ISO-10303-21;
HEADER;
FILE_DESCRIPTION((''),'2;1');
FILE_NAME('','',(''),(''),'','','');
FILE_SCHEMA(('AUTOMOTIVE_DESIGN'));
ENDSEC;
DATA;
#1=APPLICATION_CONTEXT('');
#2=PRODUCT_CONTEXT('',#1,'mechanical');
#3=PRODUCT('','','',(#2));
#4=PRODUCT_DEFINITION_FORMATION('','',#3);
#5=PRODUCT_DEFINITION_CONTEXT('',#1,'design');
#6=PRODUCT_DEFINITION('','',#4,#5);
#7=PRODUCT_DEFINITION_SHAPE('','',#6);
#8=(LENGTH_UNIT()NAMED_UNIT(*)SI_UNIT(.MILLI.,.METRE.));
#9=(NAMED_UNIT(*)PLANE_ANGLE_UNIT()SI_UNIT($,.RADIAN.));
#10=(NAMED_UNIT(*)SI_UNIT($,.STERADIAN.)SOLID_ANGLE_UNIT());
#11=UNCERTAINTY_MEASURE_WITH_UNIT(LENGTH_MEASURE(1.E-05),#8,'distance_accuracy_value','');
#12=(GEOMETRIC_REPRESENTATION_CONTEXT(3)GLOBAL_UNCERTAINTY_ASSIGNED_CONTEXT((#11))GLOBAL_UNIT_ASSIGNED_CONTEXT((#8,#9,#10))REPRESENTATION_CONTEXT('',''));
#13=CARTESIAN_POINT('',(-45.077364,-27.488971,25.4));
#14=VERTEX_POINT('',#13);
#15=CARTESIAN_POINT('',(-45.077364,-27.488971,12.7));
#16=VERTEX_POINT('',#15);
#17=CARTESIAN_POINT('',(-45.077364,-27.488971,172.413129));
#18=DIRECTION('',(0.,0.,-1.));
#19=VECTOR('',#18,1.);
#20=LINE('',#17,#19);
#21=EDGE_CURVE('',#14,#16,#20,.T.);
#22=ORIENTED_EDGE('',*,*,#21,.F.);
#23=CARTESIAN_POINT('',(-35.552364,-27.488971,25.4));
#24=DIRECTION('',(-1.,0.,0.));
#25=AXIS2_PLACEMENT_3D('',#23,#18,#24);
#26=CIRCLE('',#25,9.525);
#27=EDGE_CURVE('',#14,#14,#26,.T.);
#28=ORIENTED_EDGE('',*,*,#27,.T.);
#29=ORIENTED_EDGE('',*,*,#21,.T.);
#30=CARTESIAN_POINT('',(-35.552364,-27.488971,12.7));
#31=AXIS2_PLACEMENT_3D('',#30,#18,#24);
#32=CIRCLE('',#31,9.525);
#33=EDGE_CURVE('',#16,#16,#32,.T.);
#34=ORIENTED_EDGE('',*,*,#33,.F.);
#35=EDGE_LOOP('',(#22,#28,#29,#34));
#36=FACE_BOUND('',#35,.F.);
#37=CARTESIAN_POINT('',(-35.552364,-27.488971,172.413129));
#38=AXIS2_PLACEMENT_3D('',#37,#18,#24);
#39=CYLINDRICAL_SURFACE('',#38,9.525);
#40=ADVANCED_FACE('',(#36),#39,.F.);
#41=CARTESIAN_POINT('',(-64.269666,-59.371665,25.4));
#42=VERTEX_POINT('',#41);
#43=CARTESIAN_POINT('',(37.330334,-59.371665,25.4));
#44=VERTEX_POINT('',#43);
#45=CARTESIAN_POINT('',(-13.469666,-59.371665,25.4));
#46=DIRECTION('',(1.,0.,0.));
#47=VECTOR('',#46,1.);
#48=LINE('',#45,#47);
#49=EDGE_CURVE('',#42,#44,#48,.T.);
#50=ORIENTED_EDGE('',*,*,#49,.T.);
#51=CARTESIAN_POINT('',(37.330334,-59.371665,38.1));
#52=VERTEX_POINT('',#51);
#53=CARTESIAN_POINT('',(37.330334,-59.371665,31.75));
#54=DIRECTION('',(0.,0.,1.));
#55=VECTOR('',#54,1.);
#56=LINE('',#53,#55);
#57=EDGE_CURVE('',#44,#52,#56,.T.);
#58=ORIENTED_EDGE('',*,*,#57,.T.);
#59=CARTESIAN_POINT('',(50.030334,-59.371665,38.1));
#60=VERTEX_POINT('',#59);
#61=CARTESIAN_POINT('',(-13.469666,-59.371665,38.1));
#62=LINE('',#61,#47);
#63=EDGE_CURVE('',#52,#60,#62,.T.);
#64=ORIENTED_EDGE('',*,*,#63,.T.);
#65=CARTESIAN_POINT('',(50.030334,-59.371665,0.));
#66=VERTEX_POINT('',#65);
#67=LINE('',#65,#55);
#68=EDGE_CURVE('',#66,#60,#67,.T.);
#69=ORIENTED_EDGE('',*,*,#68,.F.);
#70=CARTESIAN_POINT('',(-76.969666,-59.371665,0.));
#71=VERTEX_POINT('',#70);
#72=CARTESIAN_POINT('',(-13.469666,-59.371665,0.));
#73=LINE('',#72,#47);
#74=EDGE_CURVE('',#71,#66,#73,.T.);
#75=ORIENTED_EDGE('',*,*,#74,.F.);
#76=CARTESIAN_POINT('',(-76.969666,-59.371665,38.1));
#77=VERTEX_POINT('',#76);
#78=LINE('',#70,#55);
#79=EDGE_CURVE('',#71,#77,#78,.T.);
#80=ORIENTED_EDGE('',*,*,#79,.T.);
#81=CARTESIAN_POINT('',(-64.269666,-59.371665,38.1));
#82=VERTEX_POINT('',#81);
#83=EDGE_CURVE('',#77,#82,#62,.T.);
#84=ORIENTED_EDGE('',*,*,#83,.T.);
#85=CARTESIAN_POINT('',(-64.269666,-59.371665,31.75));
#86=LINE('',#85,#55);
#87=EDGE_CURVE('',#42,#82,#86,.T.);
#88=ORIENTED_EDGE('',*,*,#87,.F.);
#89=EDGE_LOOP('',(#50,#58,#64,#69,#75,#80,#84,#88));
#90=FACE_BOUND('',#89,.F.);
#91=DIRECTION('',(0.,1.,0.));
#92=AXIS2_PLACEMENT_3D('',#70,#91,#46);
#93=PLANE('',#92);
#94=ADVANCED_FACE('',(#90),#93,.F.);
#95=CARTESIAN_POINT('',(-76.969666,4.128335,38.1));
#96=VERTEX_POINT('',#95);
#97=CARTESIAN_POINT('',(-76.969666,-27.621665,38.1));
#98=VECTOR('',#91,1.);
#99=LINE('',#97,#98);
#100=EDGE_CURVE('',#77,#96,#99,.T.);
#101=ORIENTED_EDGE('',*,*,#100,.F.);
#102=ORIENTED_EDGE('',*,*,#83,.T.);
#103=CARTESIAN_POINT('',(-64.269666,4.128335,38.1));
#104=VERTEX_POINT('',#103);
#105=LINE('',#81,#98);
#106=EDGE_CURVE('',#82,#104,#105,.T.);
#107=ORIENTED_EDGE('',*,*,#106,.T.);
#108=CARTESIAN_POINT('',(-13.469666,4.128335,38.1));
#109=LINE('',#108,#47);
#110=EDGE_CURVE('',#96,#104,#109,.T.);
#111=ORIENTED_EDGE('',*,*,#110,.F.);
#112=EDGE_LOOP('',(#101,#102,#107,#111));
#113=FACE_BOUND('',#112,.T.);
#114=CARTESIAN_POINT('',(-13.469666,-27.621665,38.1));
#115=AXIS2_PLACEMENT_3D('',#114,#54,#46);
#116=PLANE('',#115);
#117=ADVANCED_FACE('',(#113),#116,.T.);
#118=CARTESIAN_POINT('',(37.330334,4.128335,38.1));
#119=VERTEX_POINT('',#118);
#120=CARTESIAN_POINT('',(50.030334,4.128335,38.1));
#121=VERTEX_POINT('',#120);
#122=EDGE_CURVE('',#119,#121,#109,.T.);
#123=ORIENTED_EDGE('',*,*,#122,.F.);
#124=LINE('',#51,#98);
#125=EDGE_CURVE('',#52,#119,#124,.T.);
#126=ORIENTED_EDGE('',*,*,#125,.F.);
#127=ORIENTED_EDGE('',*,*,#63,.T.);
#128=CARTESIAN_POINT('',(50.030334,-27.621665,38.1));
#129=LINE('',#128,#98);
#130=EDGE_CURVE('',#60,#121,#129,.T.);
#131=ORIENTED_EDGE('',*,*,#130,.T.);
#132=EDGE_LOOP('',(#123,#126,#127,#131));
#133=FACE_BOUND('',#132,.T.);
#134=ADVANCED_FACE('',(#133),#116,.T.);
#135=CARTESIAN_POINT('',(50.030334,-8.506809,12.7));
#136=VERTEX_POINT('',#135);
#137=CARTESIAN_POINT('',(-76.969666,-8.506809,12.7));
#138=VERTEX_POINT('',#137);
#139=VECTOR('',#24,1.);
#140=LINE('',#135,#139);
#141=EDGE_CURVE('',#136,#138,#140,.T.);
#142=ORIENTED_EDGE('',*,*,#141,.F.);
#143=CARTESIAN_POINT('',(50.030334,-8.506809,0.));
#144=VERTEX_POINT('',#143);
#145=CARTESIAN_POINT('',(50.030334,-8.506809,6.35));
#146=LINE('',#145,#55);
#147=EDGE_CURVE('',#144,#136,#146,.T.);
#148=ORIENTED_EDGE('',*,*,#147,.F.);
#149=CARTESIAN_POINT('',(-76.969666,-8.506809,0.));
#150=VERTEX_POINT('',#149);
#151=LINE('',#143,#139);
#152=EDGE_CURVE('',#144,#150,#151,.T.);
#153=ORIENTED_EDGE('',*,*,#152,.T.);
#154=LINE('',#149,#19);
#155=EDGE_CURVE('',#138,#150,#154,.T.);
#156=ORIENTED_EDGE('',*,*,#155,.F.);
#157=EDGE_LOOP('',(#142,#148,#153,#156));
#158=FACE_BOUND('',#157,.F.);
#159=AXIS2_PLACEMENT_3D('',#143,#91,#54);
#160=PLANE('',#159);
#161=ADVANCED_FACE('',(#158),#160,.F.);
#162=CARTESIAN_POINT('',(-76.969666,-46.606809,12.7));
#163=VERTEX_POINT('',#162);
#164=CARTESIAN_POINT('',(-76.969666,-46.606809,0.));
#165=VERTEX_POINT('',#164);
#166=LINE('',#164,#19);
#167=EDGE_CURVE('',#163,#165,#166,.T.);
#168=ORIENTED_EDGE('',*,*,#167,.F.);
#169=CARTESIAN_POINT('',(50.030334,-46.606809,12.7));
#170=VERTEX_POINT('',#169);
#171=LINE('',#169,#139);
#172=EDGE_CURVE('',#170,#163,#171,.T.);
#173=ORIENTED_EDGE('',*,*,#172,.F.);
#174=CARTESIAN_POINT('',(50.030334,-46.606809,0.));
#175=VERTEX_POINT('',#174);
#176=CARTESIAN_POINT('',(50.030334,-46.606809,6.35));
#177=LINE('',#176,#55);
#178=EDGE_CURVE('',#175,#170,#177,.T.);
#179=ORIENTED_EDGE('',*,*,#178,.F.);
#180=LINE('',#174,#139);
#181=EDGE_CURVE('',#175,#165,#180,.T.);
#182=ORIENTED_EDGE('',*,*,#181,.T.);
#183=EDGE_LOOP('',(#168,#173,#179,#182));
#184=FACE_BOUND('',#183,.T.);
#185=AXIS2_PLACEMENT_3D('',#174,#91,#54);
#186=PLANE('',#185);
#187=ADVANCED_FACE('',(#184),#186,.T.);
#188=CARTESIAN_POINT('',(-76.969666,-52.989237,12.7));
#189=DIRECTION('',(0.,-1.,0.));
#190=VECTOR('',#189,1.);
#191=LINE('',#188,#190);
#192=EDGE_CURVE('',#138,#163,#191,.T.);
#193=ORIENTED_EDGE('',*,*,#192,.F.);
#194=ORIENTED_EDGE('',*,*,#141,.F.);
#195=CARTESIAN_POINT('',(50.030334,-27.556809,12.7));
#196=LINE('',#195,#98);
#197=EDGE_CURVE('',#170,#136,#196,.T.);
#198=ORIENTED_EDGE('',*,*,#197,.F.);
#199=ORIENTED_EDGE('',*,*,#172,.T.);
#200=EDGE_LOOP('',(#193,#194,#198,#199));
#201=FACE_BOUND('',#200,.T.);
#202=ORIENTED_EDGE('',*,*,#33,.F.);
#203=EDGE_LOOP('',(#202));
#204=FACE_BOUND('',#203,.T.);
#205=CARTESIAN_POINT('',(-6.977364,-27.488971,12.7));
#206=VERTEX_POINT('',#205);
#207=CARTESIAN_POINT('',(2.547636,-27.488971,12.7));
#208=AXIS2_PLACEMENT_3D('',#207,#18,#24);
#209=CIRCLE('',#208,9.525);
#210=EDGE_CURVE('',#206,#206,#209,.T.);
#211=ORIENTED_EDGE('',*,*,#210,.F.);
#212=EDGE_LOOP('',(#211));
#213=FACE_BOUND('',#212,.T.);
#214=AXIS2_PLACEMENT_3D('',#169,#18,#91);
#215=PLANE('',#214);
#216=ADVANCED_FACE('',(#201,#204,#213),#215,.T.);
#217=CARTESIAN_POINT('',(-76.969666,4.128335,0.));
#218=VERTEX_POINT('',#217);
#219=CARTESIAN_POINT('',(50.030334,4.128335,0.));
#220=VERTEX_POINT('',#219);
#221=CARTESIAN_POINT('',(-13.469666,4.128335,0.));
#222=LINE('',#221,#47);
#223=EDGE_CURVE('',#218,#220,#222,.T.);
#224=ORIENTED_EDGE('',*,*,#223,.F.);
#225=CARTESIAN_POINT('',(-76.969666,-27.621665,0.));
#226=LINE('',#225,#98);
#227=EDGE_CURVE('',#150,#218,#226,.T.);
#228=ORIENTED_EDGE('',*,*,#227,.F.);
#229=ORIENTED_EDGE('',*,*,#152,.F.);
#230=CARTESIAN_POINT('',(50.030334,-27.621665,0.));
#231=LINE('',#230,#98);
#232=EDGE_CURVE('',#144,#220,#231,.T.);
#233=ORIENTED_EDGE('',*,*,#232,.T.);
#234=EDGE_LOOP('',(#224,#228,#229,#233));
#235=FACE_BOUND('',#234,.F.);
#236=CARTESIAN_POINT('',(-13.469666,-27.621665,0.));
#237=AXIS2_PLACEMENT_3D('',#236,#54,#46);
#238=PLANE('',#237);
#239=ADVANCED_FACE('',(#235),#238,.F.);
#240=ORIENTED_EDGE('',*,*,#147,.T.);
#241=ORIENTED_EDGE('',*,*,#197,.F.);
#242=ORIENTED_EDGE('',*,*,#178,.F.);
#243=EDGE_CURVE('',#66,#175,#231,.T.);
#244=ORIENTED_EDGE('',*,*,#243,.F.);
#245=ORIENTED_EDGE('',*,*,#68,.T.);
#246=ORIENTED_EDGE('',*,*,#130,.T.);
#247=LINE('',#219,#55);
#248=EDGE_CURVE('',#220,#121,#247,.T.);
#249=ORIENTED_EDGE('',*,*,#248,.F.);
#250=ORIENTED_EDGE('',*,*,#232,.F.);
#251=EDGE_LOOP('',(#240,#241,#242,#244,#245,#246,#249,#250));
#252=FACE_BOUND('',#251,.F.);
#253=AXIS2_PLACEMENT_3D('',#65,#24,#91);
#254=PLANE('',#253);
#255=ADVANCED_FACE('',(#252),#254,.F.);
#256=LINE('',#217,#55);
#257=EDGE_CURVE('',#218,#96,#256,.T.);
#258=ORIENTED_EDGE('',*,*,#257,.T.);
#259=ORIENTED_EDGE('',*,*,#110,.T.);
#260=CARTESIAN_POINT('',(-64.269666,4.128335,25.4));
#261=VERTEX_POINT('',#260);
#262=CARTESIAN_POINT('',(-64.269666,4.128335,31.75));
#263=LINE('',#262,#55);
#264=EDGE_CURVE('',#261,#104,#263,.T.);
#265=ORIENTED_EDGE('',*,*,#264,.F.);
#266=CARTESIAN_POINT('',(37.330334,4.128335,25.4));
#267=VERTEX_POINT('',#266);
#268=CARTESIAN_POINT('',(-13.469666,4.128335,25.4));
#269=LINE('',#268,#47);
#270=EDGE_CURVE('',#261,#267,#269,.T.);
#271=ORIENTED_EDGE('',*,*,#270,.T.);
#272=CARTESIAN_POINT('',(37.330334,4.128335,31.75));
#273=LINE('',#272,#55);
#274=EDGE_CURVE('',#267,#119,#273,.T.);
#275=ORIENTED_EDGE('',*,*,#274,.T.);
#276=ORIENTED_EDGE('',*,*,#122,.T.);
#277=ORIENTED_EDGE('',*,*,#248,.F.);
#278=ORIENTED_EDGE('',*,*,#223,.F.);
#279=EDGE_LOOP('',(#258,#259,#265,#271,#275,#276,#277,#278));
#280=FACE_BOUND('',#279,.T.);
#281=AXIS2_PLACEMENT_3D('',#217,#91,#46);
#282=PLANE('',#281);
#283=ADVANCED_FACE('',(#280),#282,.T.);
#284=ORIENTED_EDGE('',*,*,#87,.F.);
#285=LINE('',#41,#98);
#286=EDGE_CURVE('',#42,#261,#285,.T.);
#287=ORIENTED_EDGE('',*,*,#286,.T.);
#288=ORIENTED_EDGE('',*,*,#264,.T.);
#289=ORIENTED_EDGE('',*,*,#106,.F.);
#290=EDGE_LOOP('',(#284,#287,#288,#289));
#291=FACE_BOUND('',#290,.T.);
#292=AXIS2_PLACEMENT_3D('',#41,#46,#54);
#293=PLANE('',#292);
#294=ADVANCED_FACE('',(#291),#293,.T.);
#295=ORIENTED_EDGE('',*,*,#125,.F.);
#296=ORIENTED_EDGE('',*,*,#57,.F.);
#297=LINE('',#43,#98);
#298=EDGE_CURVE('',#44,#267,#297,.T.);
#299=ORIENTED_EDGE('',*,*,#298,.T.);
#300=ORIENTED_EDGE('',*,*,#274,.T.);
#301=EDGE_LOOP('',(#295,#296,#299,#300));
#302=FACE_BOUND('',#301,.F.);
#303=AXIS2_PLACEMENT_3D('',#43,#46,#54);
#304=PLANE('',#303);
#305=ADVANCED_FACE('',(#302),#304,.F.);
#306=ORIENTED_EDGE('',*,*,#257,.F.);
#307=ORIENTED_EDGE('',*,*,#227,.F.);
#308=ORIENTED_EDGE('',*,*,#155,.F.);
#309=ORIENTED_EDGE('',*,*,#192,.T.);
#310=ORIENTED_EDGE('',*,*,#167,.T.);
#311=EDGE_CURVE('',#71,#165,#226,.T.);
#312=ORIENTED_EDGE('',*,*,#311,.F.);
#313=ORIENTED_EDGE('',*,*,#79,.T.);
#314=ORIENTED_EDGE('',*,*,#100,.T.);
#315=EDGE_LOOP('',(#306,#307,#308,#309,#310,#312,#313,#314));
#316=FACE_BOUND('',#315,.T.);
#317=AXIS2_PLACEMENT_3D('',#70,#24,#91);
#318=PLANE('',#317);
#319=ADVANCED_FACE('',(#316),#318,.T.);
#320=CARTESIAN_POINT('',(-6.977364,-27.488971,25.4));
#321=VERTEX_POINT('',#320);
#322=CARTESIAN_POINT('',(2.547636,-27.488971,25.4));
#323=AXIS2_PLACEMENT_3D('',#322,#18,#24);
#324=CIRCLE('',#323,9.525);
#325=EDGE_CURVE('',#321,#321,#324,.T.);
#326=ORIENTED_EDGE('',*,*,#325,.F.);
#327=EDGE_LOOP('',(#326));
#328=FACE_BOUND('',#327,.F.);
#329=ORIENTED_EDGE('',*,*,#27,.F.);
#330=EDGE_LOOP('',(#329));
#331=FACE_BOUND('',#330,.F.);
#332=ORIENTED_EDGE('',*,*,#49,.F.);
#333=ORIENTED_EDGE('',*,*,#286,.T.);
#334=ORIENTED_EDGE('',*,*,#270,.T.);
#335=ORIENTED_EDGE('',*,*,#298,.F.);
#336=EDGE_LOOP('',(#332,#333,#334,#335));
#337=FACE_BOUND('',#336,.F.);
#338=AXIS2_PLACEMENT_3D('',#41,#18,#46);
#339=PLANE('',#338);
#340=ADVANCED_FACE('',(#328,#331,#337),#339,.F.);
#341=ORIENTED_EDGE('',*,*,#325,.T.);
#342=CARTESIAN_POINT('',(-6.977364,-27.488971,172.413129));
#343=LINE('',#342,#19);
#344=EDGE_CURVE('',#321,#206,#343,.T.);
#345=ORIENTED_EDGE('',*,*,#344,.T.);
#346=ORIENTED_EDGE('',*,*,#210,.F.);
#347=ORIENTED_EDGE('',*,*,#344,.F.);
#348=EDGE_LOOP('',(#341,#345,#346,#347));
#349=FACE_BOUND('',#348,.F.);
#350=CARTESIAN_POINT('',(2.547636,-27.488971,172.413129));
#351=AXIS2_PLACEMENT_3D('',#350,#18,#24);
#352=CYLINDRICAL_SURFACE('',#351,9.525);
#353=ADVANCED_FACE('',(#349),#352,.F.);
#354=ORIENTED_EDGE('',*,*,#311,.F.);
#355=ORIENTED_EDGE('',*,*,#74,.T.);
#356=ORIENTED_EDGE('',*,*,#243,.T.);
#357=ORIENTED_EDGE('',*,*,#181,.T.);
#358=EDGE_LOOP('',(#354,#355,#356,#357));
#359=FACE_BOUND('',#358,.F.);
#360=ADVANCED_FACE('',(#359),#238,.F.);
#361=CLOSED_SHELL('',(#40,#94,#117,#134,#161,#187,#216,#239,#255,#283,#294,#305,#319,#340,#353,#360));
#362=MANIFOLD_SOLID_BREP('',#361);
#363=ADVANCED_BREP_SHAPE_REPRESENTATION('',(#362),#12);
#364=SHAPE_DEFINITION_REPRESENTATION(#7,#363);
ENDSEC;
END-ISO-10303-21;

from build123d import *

# Parameters (mm, degrees)
F0_W     = 127
F0_H     = 63.5
F1_DEPTH = 38.1
F2_W     = 101.6
F2_H     = 12.7
F3_DEPTH = 63.5
F4_W     = 38.1
F4_H     = 12.7
F5_DEPTH = 127.001
F7_D     = 19.05


with BuildPart() as f1:
    # F0 (on Top) → F1 (new body)
    with BuildSketch(Plane.XY):
        with Locations((-13.469666, -27.621665)):
            Rectangle(F0_W, F0_H)
    extrude(amount=F1_DEPTH)

    # F2 (on face) → F3 (cut, through all)
    with BuildSketch(Plane.XZ.offset(59.371665)):
        with Locations((-13.469666, 31.75)):
            Rectangle(F2_W, F2_H)
    extrude(amount=-F3_DEPTH, mode=Mode.SUBTRACT)

    # F4 (on face) → F5 (cut, through all)
    with BuildSketch(Plane.YZ.offset(50.030334)):
        with Locations((-27.556809, 6.35)):
            Rectangle(F4_W, F4_H)
    extrude(amount=-F5_DEPTH, mode=Mode.SUBTRACT)

    # F7 (through all)
    with Locations(Plane.XY.offset(25.4)):
        with Locations((-35.552364, -27.488971), (2.547636, -27.488971)):
            Hole(F7_D / 2)


solid = f1.part
